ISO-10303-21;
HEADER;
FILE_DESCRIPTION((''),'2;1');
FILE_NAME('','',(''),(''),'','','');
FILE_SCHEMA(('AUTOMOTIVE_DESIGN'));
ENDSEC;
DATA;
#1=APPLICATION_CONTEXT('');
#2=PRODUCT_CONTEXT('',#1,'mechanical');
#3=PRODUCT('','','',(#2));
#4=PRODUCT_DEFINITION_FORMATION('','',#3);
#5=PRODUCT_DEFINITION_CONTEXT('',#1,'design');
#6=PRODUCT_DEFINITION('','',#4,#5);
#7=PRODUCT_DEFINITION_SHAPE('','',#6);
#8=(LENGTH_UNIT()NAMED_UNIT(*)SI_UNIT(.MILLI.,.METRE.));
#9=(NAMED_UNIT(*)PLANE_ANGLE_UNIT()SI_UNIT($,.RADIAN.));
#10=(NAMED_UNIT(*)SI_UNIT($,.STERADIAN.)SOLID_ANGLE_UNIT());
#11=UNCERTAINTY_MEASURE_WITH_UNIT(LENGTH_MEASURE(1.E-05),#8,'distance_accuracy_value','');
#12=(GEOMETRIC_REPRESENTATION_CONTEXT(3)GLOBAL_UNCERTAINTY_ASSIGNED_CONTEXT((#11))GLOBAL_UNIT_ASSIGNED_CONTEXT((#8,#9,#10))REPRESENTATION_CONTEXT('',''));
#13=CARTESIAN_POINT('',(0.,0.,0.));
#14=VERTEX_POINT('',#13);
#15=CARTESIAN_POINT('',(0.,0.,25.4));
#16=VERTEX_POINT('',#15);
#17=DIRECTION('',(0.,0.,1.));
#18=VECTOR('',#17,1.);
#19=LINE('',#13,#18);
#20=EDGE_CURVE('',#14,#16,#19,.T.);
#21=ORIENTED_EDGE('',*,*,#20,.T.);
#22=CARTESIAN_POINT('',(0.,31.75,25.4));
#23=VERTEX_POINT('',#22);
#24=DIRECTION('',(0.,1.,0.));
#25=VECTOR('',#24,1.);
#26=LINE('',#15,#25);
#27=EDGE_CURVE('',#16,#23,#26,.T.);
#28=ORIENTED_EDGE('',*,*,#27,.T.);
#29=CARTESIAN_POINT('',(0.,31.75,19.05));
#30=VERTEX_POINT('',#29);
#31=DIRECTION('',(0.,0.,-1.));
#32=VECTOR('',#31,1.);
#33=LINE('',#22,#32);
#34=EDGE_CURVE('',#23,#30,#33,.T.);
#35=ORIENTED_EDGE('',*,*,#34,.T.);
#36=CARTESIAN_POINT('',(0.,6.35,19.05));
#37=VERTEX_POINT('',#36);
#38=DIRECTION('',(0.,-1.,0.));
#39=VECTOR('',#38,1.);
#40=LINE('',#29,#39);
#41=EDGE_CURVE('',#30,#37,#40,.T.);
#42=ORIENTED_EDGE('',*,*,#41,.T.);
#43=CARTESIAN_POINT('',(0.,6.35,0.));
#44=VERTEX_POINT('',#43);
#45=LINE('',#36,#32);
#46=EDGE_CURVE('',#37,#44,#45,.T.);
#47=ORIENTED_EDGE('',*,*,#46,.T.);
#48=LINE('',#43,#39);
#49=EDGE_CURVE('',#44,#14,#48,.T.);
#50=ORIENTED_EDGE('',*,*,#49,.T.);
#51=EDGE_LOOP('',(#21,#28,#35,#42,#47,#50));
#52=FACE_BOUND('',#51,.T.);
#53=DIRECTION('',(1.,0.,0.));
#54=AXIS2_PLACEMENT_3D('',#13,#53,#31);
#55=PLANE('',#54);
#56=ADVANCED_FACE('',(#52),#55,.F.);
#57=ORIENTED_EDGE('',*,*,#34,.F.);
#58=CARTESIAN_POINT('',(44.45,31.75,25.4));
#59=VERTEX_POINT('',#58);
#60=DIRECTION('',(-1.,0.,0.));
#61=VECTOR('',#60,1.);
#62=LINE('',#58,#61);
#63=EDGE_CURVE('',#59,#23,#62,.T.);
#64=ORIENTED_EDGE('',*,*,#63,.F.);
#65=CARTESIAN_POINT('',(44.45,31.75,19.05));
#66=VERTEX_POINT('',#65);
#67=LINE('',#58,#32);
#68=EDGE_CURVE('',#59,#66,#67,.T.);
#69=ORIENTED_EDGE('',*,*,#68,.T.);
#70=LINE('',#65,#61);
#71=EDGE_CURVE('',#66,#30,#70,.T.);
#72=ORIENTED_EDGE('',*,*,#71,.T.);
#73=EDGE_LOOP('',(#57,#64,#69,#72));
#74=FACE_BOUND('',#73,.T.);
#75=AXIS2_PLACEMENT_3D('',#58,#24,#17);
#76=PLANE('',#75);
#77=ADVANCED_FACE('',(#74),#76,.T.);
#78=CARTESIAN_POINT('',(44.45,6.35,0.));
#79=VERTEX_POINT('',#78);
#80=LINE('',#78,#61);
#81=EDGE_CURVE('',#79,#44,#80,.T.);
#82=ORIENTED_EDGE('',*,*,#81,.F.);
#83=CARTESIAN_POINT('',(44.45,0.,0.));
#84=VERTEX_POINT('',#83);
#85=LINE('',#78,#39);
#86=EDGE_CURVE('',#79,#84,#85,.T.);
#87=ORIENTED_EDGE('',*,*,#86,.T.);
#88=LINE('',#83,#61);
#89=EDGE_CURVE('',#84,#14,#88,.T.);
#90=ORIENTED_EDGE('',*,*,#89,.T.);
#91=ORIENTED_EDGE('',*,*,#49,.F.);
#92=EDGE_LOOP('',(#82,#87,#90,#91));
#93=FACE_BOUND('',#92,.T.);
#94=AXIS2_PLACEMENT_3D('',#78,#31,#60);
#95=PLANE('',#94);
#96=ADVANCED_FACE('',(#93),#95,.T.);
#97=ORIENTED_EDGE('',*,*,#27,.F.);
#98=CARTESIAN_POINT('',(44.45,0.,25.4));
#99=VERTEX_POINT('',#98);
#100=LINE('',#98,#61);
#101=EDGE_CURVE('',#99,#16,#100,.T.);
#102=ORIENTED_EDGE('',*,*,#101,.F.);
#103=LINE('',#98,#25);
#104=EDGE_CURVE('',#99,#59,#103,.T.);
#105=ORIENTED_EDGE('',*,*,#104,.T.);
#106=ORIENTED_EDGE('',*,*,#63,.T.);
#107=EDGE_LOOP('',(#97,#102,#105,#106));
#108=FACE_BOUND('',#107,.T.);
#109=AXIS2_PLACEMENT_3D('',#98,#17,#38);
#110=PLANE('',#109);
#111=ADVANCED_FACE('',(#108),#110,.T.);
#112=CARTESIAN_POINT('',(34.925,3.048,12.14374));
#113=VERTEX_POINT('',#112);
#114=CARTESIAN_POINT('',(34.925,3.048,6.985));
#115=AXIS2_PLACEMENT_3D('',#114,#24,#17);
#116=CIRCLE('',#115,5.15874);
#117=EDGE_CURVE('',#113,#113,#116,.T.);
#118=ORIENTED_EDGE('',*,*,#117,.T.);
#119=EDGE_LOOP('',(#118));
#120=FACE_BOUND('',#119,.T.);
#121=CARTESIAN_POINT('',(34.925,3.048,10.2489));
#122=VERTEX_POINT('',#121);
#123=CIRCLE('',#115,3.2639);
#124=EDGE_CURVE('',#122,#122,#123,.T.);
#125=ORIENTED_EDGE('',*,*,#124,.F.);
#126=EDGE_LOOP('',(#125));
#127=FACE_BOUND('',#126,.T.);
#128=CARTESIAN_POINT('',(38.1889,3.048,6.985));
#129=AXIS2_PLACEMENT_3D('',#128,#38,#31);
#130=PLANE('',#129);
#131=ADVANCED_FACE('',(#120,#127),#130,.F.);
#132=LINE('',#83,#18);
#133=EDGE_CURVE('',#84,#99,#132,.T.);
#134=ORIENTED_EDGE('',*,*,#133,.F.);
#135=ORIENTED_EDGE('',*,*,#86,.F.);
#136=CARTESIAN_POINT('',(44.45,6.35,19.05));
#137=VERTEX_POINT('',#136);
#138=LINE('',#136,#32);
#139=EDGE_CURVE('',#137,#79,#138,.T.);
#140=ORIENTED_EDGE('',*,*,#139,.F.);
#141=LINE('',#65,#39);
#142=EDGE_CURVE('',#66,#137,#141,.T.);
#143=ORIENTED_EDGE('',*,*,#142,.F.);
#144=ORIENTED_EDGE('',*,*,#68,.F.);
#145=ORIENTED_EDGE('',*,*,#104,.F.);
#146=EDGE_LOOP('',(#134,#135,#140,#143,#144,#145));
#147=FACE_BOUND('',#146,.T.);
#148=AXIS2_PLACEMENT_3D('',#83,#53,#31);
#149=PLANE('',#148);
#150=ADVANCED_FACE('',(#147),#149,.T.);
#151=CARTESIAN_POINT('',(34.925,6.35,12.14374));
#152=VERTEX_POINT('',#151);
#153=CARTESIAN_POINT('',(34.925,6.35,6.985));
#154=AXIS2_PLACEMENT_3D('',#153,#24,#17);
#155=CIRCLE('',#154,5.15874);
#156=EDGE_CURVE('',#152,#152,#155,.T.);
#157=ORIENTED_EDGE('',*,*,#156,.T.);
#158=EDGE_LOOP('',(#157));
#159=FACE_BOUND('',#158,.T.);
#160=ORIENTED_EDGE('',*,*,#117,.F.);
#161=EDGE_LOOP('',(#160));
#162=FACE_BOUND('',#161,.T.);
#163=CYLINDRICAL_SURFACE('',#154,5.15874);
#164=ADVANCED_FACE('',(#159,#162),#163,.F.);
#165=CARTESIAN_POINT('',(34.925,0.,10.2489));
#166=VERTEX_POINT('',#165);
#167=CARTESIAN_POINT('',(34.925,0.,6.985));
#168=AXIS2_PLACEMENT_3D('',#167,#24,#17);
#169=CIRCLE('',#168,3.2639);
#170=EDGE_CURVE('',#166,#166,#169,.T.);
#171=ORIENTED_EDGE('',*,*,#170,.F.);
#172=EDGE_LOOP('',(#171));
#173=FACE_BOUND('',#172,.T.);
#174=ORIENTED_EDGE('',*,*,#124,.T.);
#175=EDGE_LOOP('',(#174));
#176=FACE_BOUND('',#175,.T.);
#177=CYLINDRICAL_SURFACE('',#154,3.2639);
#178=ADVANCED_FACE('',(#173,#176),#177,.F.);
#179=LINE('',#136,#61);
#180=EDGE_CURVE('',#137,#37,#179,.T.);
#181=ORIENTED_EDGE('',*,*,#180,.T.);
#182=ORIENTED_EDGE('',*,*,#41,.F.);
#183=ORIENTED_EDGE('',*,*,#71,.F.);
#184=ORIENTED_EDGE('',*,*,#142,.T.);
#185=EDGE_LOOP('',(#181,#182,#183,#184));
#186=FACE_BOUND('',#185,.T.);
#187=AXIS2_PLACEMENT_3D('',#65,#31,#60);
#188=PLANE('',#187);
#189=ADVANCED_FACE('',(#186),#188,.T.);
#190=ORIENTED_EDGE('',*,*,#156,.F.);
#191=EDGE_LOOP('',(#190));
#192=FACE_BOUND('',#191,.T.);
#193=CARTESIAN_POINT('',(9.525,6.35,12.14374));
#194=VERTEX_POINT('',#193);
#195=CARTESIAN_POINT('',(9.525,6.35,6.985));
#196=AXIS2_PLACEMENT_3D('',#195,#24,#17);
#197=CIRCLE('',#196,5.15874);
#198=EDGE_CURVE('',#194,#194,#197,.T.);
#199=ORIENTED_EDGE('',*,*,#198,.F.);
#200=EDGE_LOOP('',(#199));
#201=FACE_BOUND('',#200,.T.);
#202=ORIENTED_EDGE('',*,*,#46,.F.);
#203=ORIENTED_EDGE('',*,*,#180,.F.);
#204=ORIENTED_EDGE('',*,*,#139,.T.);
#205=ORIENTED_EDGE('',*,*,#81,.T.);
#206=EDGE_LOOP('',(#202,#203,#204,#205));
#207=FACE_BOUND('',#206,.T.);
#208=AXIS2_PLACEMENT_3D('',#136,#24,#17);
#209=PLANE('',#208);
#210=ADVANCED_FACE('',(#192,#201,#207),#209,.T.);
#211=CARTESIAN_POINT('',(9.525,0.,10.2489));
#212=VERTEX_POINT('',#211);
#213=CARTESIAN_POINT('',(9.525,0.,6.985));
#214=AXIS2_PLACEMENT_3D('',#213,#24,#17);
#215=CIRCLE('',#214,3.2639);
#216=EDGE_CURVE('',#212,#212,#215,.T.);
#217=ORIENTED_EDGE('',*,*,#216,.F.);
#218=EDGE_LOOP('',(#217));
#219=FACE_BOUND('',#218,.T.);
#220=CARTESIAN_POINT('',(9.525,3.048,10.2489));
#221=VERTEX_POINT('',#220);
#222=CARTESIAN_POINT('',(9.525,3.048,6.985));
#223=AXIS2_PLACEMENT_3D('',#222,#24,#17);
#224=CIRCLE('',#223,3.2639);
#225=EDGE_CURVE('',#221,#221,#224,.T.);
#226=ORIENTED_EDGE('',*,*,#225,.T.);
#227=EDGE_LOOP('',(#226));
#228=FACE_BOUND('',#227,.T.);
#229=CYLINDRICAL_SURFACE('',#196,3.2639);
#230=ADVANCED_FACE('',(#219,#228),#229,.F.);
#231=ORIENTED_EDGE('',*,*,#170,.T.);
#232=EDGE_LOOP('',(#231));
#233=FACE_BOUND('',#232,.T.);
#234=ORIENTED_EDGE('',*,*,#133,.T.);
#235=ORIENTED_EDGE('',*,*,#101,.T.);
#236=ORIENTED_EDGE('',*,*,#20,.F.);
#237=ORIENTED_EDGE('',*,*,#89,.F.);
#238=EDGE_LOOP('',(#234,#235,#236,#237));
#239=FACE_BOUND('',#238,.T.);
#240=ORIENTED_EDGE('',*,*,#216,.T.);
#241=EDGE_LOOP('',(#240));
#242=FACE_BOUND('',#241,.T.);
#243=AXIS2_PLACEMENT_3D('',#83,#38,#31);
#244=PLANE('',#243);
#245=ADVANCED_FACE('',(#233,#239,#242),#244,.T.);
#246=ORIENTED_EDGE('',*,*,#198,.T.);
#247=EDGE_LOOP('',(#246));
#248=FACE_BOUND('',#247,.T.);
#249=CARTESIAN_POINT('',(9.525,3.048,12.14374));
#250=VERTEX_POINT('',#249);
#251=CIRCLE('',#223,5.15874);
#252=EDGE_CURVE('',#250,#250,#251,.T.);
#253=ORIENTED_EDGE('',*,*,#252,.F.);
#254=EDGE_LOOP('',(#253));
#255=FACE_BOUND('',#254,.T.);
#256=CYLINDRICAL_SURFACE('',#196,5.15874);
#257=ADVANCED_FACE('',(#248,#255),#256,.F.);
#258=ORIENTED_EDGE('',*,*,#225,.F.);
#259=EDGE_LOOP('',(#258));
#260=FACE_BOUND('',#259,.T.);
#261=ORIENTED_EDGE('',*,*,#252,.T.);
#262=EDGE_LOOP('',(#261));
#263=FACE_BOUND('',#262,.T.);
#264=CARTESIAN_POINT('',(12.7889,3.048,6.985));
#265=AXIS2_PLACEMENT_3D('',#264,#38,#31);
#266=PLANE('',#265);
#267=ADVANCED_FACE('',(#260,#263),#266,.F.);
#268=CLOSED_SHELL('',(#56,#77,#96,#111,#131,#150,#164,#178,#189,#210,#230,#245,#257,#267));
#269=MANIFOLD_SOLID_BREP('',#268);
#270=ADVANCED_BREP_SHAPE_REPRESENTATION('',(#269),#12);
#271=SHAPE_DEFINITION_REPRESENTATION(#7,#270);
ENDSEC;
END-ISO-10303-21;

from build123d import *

# Parameters (mm, degrees)
BOSS_EXTRUDE1_DEPTH                              = 44.45
CBORE_FOR_1_4_SOCKET_SHOULDER_SCREW1_D           = 6.5278
CBORE_FOR_1_4_SOCKET_SHOULDER_SCREW1_CBORE_D     = 10.31748
CBORE_FOR_1_4_SOCKET_SHOULDER_SCREW1_CBORE_DEPTH = 3.302


with BuildPart() as part:
    # Sketch1 → Boss-Extrude1 (new body)
    with BuildSketch(Plane(origin=(0, 0, 0), x_dir=(0, 0, -1), z_dir=(1, 0, 0))):
        Polygon((-25.4, 31.75), (-19.05, 31.75), (-19.05, 6.35), (0, 6.35), (0, 0), (-25.4, 0), align=None)
    extrude(amount=BOSS_EXTRUDE1_DEPTH)

    # CBORE for 1/4 Socket Shoulder Screw1 (through all)
    with Locations(Plane(origin=(0, 6.35, 0), x_dir=(1, 0, 0), z_dir=(0, 1, 0))):
        with Locations((9.525, -6.985), (34.925, -6.985)):
            CounterBoreHole(CBORE_FOR_1_4_SOCKET_SHOULDER_SCREW1_D / 2, CBORE_FOR_1_4_SOCKET_SHOULDER_SCREW1_CBORE_D / 2, CBORE_FOR_1_4_SOCKET_SHOULDER_SCREW1_CBORE_DEPTH)


solid = part.part
